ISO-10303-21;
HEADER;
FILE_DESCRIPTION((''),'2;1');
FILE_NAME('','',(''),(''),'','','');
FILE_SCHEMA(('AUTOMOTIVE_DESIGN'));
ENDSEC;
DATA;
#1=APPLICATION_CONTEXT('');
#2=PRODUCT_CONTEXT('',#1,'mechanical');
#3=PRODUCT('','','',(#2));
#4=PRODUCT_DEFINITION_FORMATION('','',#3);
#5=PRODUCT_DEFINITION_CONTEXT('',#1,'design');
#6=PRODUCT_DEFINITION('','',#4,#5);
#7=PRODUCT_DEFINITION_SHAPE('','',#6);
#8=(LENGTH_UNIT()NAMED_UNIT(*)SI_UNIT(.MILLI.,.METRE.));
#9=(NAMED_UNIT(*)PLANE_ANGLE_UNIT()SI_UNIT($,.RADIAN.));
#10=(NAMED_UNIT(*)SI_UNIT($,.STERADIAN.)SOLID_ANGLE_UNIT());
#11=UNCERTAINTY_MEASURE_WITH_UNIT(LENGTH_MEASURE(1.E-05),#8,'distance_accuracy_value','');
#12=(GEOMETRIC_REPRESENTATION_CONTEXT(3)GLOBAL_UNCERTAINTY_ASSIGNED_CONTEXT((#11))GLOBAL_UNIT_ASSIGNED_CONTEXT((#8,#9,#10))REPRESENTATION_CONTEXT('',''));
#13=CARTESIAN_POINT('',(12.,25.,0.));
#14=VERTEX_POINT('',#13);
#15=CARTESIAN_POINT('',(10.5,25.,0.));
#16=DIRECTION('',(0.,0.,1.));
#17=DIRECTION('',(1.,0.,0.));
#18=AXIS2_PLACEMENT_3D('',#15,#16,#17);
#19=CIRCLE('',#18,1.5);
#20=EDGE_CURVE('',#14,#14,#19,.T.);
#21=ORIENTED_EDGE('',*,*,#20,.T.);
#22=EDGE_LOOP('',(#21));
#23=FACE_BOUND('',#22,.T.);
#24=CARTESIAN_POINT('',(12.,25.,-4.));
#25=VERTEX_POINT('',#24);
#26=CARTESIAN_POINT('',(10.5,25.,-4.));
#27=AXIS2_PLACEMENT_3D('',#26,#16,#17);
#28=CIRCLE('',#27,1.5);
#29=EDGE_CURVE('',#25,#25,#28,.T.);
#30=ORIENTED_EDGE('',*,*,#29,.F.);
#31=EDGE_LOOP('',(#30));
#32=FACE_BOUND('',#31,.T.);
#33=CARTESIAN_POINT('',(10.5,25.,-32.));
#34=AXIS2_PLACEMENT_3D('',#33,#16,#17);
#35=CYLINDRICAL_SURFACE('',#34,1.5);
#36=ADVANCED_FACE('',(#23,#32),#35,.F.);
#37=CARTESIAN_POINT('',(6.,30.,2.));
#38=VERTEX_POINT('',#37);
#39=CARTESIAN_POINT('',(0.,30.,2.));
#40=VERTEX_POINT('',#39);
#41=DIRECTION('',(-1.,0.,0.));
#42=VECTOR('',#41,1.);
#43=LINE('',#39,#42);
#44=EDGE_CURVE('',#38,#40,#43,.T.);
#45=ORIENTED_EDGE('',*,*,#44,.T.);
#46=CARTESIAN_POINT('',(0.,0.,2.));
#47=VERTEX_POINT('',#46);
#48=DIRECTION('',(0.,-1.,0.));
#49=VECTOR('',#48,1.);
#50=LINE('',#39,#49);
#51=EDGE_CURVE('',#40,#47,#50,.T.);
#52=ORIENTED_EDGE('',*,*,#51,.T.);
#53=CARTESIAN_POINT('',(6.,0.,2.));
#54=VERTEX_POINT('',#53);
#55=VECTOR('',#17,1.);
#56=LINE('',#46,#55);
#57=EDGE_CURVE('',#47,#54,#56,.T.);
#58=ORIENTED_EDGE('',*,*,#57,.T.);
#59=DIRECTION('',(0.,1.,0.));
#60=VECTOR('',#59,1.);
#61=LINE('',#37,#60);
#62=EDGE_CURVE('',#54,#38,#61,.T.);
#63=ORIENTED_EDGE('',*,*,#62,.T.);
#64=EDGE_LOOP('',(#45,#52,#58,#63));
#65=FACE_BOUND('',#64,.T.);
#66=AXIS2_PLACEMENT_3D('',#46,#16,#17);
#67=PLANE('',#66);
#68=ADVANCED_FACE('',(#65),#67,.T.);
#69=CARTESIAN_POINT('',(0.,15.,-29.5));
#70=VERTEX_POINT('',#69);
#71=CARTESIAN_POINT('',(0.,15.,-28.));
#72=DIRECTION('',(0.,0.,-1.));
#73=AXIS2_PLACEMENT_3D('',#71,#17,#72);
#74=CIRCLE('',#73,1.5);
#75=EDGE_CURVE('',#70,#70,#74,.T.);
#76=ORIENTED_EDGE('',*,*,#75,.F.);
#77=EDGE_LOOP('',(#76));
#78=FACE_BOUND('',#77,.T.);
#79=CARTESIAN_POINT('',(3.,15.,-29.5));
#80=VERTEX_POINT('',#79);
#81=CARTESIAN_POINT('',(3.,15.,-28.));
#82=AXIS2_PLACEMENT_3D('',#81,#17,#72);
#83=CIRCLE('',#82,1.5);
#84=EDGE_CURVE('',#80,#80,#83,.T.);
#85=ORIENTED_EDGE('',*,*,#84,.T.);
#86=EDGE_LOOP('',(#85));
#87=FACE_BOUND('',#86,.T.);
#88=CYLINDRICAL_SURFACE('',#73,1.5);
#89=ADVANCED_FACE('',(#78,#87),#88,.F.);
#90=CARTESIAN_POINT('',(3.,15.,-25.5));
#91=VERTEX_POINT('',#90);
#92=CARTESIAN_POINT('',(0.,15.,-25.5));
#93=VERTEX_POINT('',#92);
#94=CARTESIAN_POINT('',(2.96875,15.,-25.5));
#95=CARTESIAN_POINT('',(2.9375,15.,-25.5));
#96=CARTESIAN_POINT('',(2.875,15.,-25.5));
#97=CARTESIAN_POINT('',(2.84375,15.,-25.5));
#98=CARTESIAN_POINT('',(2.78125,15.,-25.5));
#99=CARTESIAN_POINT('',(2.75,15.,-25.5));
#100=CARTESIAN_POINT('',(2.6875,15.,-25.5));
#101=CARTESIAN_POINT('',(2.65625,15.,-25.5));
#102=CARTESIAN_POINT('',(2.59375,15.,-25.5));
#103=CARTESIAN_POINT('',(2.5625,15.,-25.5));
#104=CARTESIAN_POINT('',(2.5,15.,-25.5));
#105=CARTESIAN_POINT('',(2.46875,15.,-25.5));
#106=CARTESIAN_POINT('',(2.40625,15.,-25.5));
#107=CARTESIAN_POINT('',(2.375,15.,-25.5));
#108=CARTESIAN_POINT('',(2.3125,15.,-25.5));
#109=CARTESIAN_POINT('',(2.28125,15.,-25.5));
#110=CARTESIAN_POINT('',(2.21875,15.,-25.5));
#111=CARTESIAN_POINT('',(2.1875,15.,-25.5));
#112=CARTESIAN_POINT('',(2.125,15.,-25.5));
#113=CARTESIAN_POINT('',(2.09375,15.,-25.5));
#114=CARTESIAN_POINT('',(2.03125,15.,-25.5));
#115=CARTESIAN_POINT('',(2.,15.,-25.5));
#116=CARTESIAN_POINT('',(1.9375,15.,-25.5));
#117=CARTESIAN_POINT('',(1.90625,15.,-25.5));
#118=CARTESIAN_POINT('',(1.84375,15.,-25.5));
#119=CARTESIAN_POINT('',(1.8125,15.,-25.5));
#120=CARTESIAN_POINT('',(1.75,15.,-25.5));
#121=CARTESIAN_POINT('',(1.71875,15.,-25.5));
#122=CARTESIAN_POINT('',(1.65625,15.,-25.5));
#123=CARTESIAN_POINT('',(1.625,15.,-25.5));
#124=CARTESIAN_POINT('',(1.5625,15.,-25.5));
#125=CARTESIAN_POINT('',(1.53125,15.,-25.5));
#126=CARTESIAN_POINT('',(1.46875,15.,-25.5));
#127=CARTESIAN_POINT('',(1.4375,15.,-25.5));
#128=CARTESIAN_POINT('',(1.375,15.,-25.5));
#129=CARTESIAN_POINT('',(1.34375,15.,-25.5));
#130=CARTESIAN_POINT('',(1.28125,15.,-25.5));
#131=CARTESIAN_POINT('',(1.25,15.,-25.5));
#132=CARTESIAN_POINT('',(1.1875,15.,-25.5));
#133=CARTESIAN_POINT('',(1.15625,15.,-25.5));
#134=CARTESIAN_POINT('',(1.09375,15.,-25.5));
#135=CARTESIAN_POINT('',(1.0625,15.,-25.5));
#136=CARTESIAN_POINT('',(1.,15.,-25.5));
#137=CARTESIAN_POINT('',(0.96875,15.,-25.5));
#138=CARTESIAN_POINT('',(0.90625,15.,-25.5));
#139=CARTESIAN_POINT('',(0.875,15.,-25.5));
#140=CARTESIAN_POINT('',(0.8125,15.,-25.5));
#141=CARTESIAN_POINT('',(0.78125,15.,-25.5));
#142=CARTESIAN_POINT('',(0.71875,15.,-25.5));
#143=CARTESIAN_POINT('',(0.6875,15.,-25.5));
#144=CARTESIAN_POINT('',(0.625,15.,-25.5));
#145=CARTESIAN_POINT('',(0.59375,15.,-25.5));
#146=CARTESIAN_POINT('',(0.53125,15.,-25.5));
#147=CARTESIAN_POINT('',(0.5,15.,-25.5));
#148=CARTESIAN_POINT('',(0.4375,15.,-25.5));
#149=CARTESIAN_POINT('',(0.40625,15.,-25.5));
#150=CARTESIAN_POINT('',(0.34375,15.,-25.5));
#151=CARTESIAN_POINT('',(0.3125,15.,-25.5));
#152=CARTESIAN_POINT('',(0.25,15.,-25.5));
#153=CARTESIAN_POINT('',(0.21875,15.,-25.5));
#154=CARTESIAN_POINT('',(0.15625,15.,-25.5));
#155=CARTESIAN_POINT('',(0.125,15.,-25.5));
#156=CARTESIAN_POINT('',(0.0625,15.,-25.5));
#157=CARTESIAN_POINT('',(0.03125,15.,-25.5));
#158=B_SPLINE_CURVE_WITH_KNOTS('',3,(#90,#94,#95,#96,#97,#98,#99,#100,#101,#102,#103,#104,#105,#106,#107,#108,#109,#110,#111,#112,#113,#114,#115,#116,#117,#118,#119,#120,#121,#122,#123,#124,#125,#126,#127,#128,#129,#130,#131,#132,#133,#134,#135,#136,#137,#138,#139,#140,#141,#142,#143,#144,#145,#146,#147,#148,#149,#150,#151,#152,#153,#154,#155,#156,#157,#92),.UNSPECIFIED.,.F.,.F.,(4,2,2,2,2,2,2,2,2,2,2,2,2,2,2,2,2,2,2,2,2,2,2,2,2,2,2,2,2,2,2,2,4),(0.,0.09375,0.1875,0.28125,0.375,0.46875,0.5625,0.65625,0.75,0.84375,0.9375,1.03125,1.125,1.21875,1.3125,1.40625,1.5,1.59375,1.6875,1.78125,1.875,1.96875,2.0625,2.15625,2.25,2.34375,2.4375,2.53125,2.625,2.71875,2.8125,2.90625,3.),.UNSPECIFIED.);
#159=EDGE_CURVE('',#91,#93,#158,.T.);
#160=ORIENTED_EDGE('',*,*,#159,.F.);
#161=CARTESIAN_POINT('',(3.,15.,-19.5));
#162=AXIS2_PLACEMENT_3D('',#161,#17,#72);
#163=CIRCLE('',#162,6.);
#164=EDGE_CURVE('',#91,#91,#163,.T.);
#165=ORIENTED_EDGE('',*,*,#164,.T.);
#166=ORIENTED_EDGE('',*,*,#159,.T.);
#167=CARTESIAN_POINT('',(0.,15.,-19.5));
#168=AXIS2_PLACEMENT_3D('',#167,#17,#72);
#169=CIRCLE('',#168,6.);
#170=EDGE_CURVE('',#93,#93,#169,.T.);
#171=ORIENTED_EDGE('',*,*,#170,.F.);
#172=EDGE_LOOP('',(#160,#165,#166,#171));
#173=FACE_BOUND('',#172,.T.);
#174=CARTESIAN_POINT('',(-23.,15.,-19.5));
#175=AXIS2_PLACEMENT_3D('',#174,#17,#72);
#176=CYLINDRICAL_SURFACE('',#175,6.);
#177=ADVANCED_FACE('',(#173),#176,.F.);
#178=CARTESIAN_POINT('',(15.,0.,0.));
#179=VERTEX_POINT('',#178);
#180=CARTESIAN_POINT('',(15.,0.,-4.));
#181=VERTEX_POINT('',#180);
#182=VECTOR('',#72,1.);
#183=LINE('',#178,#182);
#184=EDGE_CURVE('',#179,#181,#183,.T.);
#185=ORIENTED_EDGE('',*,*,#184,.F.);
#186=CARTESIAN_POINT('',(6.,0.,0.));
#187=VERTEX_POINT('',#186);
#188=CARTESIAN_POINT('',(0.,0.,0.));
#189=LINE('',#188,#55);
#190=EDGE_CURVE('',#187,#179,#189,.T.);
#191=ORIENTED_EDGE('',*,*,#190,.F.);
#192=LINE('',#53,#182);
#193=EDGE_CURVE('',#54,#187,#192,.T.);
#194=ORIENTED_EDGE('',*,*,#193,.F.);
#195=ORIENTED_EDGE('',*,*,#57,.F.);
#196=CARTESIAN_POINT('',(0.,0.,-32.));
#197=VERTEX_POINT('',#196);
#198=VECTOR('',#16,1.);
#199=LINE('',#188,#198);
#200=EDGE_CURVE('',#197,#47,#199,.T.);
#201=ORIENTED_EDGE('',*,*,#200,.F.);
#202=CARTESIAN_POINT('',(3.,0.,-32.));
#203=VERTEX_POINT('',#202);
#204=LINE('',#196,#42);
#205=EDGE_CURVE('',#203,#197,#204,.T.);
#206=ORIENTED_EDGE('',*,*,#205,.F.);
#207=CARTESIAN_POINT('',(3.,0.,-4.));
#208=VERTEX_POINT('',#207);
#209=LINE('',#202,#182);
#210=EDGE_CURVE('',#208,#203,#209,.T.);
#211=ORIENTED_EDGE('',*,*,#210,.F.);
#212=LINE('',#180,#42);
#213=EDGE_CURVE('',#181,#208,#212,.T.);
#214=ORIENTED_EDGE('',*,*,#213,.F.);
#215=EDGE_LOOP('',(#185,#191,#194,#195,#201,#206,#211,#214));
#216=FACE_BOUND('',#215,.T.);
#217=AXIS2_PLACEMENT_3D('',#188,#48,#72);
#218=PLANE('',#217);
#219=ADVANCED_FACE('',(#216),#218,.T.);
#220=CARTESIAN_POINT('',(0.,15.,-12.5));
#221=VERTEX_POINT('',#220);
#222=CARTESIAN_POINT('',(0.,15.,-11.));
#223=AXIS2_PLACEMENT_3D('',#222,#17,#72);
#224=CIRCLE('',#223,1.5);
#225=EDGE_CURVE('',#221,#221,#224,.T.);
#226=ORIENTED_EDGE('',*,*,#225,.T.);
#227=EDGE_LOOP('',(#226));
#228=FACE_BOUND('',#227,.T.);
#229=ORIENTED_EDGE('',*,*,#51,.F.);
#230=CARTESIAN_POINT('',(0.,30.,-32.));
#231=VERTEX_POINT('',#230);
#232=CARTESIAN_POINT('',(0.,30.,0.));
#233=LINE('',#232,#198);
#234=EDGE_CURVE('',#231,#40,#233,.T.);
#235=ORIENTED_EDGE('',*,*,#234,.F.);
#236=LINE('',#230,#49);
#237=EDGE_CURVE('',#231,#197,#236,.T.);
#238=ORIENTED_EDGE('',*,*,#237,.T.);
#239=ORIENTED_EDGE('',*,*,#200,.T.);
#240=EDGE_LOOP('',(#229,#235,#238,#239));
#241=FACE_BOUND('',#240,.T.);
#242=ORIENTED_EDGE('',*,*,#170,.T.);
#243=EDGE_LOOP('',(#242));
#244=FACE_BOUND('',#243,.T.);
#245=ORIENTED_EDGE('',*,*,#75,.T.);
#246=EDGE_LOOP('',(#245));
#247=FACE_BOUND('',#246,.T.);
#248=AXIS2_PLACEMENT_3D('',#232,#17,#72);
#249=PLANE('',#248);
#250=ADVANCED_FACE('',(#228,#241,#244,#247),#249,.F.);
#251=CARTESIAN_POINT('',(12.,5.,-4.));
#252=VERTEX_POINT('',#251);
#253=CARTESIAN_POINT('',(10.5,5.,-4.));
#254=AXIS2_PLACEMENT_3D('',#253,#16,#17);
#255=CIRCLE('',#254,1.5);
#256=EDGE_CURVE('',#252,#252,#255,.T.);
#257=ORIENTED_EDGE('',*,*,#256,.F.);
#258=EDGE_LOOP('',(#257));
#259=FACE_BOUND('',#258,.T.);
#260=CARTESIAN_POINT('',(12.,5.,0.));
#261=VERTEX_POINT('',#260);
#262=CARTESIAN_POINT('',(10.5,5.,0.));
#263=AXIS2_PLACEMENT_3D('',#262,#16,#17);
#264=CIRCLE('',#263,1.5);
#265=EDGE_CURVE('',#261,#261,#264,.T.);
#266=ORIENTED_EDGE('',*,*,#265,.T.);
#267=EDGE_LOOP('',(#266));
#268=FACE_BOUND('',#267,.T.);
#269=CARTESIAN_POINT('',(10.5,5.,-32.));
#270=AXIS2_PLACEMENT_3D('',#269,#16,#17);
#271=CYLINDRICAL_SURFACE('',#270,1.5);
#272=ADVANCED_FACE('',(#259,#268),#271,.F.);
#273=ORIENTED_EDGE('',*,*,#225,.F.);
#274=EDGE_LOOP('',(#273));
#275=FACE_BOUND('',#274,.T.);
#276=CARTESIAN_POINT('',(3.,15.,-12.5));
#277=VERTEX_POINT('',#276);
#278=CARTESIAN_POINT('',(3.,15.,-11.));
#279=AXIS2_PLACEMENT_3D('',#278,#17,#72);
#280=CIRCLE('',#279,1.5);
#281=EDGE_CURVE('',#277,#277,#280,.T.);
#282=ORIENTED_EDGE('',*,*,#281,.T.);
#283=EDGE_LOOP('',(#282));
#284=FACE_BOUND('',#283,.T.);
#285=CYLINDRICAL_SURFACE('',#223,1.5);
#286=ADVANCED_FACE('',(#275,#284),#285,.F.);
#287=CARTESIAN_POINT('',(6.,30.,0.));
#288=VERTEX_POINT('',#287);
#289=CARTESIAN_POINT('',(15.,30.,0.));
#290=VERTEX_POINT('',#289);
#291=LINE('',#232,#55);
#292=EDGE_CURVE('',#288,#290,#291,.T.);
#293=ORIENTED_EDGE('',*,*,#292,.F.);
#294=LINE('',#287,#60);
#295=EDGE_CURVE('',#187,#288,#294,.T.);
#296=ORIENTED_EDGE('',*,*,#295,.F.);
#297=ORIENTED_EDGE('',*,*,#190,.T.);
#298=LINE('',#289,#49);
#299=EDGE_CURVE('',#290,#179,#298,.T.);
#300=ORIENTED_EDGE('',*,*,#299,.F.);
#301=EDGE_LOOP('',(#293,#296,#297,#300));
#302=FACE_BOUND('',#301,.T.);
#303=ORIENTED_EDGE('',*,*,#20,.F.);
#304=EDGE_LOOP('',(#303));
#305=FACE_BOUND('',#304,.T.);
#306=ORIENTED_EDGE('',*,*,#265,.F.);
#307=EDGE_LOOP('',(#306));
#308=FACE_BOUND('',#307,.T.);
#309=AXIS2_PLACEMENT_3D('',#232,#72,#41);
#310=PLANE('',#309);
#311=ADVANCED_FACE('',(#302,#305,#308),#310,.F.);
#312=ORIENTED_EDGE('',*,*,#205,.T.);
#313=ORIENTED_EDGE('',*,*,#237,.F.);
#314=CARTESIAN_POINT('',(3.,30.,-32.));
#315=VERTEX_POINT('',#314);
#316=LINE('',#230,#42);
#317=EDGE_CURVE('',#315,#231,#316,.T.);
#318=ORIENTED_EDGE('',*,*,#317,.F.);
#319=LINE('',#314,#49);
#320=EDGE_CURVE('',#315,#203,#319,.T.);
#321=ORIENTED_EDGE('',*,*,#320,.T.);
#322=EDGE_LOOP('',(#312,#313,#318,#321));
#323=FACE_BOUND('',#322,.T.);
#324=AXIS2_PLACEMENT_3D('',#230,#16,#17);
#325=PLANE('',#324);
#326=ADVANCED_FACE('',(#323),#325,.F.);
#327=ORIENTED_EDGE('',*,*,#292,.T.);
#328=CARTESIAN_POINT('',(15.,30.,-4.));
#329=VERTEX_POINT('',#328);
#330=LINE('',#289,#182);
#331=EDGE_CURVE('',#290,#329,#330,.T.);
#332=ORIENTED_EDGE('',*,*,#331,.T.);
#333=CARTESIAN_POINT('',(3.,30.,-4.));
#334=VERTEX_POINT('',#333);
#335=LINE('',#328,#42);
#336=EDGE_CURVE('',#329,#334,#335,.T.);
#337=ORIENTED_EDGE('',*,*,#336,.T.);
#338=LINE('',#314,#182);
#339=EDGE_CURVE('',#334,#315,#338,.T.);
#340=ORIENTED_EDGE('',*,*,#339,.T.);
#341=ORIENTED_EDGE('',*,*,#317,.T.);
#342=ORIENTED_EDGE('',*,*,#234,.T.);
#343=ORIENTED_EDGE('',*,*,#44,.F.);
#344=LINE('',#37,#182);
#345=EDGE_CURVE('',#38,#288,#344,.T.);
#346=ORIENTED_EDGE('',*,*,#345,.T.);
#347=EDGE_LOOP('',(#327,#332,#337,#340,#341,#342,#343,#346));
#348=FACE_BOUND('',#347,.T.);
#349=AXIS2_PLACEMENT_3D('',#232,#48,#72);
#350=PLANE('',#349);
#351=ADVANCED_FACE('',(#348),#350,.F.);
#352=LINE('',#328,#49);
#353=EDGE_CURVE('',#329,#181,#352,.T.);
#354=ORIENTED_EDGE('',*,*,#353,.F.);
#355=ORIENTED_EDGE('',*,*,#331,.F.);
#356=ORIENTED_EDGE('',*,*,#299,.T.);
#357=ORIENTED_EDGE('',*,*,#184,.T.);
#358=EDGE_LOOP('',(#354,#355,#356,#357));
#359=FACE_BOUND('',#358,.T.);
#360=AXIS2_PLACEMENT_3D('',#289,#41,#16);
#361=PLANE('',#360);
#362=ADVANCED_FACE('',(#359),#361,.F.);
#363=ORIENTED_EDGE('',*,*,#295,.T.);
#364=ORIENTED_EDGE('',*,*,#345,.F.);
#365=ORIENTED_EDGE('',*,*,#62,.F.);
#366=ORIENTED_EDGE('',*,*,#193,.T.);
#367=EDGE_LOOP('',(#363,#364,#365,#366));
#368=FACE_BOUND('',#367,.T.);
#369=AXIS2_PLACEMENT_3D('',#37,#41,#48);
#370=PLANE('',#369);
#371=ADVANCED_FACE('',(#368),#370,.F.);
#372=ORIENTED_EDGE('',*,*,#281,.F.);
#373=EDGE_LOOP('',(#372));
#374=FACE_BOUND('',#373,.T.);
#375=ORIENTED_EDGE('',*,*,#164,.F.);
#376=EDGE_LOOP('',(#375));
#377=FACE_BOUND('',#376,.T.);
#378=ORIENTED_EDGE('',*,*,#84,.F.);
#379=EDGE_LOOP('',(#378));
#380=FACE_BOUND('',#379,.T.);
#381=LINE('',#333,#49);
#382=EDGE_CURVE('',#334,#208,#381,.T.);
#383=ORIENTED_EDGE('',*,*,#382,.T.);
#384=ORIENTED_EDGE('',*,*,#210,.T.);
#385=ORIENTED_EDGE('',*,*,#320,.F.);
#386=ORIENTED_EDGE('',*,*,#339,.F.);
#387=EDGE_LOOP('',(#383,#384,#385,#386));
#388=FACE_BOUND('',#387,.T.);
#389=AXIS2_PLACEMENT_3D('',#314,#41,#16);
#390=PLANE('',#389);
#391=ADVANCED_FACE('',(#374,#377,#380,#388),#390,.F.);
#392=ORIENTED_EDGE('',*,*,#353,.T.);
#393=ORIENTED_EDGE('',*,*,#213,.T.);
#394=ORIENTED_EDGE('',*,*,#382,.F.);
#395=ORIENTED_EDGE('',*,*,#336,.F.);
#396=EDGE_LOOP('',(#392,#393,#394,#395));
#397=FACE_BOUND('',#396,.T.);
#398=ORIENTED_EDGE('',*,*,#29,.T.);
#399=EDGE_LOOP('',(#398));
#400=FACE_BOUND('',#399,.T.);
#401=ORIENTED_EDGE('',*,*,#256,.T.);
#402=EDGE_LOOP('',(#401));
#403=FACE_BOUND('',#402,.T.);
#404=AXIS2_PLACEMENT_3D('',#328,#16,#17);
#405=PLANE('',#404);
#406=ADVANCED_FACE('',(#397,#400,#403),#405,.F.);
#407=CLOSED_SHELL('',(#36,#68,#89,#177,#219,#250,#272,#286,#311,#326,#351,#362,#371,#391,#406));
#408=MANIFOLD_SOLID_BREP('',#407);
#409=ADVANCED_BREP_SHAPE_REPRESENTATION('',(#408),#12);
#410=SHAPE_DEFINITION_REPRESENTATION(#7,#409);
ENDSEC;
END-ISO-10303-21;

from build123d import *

# Parameters (mm, degrees)
EXTRUDE_1_DEPTH     = 30
SKETCH_2_R          = 6
CUT_EXTRUDE_1_DEPTH = 26
SKETCH_3_W          = 6
SKETCH_3_H          = 30
EXTRUDE_2_DEPTH     = 2
SKETCH_4_R          = 1.5
CUT_EXTRUDE_2_DEPTH = 46.475268004
SKETCH_5_R          = 1.5
CUT_EXTRUDE_3_DEPTH = 47.357307946


with BuildPart() as part:
    # 草图1 → 凸台-拉伸1 (new body)
    with BuildSketch(Plane(origin=(0, 0, 0), x_dir=(1, 0, 0), z_dir=(0, 1, 0))):
        Polygon((0, 0), (15, 0), (15, 4), (3, 4), (3, 32), (0, 32), align=None)
    extrude(amount=EXTRUDE_1_DEPTH)

    # 草图2 → 切除-拉伸1 (cut)
    with BuildSketch(Plane(origin=(3, 0, 0), x_dir=(0, 0, -1), z_dir=(1, 0, 0))):
        with Locations((19.5, 15)):
            Circle(SKETCH_2_R)
    extrude(amount=-CUT_EXTRUDE_1_DEPTH, mode=Mode.SUBTRACT)

    # 草图3 → 凸台-拉伸2 (add)
    with BuildSketch(Plane.XY):
        with Locations((3, 15)):
            Rectangle(SKETCH_3_W, SKETCH_3_H)
    extrude(amount=EXTRUDE_2_DEPTH)

    # 草图4 → 切除-拉伸2 (cut, through all)
    with BuildSketch(Plane(origin=(3, 0, 0), x_dir=(0, 0, -1), z_dir=(1, 0, 0))):
        with Locations((28, 15)):
            Circle(SKETCH_4_R)
        with Locations((11, 15)):
            Circle(SKETCH_4_R)
    extrude(amount=-CUT_EXTRUDE_2_DEPTH, mode=Mode.SUBTRACT)

    # 草图5 → 切除-拉伸3 (cut, through all)
    with BuildSketch(Plane.XY):
        with Locations((10.5, 25)):
            Circle(SKETCH_5_R)
        with Locations((10.5, 5)):
            Circle(SKETCH_5_R)
    extrude(amount=-CUT_EXTRUDE_3_DEPTH, mode=Mode.SUBTRACT)


solid = part.part
